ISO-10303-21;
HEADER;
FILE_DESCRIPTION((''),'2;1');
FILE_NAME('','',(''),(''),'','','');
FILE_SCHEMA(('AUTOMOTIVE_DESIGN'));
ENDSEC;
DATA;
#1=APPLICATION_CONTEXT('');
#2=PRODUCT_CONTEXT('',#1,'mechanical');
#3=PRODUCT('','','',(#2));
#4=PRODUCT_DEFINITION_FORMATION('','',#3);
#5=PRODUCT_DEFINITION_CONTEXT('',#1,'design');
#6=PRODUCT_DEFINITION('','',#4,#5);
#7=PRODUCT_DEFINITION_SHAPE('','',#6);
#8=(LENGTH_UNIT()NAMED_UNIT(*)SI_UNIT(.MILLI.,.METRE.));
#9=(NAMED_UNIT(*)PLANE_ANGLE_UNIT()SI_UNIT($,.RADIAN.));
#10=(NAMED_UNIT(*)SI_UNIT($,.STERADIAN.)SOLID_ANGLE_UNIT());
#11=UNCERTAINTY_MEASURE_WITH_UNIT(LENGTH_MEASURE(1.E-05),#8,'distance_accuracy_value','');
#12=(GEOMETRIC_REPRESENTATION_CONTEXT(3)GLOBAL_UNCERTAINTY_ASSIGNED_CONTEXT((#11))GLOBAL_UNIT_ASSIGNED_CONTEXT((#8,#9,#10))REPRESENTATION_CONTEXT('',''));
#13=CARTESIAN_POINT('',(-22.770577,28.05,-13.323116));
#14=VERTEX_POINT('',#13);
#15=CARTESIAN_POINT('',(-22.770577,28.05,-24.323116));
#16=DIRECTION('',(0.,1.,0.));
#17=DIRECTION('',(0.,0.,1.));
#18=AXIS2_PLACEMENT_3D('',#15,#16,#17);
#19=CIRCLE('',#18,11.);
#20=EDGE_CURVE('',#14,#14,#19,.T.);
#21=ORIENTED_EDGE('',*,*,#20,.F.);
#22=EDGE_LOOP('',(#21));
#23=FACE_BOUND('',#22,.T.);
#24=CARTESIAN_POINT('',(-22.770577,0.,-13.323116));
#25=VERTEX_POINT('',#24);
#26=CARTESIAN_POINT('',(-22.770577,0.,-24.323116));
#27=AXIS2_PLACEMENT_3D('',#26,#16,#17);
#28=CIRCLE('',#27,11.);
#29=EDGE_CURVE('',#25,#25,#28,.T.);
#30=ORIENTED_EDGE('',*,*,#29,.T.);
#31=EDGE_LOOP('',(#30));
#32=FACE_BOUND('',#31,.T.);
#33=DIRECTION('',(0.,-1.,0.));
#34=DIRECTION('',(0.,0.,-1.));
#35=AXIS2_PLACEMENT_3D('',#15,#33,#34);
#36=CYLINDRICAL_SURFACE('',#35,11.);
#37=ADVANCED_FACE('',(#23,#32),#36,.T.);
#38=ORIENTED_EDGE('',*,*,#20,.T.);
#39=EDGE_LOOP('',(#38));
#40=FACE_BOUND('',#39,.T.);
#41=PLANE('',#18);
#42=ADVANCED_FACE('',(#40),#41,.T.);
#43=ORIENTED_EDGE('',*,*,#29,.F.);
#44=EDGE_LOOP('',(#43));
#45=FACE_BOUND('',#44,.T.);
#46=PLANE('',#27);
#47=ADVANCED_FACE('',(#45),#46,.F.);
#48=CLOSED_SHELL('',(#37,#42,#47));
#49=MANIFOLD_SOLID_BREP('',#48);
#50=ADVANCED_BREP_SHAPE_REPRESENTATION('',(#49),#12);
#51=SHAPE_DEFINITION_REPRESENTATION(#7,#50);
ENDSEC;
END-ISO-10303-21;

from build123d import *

# Parameters (mm, degrees)
SKETCH1_R           = 11
BOSS_EXTRUDE2_DEPTH = 28.05


with BuildPart() as part:
    # Sketch1 → Boss-Extrude2 (new body)
    with BuildSketch(Plane(origin=(0, 0, 0), x_dir=(1, 0, 0), z_dir=(0, 1, 0))):
        with Locations((-22.770576779, 24.323116105)):
            Circle(SKETCH1_R)
    extrude(amount=BOSS_EXTRUDE2_DEPTH)


solid = part.part
